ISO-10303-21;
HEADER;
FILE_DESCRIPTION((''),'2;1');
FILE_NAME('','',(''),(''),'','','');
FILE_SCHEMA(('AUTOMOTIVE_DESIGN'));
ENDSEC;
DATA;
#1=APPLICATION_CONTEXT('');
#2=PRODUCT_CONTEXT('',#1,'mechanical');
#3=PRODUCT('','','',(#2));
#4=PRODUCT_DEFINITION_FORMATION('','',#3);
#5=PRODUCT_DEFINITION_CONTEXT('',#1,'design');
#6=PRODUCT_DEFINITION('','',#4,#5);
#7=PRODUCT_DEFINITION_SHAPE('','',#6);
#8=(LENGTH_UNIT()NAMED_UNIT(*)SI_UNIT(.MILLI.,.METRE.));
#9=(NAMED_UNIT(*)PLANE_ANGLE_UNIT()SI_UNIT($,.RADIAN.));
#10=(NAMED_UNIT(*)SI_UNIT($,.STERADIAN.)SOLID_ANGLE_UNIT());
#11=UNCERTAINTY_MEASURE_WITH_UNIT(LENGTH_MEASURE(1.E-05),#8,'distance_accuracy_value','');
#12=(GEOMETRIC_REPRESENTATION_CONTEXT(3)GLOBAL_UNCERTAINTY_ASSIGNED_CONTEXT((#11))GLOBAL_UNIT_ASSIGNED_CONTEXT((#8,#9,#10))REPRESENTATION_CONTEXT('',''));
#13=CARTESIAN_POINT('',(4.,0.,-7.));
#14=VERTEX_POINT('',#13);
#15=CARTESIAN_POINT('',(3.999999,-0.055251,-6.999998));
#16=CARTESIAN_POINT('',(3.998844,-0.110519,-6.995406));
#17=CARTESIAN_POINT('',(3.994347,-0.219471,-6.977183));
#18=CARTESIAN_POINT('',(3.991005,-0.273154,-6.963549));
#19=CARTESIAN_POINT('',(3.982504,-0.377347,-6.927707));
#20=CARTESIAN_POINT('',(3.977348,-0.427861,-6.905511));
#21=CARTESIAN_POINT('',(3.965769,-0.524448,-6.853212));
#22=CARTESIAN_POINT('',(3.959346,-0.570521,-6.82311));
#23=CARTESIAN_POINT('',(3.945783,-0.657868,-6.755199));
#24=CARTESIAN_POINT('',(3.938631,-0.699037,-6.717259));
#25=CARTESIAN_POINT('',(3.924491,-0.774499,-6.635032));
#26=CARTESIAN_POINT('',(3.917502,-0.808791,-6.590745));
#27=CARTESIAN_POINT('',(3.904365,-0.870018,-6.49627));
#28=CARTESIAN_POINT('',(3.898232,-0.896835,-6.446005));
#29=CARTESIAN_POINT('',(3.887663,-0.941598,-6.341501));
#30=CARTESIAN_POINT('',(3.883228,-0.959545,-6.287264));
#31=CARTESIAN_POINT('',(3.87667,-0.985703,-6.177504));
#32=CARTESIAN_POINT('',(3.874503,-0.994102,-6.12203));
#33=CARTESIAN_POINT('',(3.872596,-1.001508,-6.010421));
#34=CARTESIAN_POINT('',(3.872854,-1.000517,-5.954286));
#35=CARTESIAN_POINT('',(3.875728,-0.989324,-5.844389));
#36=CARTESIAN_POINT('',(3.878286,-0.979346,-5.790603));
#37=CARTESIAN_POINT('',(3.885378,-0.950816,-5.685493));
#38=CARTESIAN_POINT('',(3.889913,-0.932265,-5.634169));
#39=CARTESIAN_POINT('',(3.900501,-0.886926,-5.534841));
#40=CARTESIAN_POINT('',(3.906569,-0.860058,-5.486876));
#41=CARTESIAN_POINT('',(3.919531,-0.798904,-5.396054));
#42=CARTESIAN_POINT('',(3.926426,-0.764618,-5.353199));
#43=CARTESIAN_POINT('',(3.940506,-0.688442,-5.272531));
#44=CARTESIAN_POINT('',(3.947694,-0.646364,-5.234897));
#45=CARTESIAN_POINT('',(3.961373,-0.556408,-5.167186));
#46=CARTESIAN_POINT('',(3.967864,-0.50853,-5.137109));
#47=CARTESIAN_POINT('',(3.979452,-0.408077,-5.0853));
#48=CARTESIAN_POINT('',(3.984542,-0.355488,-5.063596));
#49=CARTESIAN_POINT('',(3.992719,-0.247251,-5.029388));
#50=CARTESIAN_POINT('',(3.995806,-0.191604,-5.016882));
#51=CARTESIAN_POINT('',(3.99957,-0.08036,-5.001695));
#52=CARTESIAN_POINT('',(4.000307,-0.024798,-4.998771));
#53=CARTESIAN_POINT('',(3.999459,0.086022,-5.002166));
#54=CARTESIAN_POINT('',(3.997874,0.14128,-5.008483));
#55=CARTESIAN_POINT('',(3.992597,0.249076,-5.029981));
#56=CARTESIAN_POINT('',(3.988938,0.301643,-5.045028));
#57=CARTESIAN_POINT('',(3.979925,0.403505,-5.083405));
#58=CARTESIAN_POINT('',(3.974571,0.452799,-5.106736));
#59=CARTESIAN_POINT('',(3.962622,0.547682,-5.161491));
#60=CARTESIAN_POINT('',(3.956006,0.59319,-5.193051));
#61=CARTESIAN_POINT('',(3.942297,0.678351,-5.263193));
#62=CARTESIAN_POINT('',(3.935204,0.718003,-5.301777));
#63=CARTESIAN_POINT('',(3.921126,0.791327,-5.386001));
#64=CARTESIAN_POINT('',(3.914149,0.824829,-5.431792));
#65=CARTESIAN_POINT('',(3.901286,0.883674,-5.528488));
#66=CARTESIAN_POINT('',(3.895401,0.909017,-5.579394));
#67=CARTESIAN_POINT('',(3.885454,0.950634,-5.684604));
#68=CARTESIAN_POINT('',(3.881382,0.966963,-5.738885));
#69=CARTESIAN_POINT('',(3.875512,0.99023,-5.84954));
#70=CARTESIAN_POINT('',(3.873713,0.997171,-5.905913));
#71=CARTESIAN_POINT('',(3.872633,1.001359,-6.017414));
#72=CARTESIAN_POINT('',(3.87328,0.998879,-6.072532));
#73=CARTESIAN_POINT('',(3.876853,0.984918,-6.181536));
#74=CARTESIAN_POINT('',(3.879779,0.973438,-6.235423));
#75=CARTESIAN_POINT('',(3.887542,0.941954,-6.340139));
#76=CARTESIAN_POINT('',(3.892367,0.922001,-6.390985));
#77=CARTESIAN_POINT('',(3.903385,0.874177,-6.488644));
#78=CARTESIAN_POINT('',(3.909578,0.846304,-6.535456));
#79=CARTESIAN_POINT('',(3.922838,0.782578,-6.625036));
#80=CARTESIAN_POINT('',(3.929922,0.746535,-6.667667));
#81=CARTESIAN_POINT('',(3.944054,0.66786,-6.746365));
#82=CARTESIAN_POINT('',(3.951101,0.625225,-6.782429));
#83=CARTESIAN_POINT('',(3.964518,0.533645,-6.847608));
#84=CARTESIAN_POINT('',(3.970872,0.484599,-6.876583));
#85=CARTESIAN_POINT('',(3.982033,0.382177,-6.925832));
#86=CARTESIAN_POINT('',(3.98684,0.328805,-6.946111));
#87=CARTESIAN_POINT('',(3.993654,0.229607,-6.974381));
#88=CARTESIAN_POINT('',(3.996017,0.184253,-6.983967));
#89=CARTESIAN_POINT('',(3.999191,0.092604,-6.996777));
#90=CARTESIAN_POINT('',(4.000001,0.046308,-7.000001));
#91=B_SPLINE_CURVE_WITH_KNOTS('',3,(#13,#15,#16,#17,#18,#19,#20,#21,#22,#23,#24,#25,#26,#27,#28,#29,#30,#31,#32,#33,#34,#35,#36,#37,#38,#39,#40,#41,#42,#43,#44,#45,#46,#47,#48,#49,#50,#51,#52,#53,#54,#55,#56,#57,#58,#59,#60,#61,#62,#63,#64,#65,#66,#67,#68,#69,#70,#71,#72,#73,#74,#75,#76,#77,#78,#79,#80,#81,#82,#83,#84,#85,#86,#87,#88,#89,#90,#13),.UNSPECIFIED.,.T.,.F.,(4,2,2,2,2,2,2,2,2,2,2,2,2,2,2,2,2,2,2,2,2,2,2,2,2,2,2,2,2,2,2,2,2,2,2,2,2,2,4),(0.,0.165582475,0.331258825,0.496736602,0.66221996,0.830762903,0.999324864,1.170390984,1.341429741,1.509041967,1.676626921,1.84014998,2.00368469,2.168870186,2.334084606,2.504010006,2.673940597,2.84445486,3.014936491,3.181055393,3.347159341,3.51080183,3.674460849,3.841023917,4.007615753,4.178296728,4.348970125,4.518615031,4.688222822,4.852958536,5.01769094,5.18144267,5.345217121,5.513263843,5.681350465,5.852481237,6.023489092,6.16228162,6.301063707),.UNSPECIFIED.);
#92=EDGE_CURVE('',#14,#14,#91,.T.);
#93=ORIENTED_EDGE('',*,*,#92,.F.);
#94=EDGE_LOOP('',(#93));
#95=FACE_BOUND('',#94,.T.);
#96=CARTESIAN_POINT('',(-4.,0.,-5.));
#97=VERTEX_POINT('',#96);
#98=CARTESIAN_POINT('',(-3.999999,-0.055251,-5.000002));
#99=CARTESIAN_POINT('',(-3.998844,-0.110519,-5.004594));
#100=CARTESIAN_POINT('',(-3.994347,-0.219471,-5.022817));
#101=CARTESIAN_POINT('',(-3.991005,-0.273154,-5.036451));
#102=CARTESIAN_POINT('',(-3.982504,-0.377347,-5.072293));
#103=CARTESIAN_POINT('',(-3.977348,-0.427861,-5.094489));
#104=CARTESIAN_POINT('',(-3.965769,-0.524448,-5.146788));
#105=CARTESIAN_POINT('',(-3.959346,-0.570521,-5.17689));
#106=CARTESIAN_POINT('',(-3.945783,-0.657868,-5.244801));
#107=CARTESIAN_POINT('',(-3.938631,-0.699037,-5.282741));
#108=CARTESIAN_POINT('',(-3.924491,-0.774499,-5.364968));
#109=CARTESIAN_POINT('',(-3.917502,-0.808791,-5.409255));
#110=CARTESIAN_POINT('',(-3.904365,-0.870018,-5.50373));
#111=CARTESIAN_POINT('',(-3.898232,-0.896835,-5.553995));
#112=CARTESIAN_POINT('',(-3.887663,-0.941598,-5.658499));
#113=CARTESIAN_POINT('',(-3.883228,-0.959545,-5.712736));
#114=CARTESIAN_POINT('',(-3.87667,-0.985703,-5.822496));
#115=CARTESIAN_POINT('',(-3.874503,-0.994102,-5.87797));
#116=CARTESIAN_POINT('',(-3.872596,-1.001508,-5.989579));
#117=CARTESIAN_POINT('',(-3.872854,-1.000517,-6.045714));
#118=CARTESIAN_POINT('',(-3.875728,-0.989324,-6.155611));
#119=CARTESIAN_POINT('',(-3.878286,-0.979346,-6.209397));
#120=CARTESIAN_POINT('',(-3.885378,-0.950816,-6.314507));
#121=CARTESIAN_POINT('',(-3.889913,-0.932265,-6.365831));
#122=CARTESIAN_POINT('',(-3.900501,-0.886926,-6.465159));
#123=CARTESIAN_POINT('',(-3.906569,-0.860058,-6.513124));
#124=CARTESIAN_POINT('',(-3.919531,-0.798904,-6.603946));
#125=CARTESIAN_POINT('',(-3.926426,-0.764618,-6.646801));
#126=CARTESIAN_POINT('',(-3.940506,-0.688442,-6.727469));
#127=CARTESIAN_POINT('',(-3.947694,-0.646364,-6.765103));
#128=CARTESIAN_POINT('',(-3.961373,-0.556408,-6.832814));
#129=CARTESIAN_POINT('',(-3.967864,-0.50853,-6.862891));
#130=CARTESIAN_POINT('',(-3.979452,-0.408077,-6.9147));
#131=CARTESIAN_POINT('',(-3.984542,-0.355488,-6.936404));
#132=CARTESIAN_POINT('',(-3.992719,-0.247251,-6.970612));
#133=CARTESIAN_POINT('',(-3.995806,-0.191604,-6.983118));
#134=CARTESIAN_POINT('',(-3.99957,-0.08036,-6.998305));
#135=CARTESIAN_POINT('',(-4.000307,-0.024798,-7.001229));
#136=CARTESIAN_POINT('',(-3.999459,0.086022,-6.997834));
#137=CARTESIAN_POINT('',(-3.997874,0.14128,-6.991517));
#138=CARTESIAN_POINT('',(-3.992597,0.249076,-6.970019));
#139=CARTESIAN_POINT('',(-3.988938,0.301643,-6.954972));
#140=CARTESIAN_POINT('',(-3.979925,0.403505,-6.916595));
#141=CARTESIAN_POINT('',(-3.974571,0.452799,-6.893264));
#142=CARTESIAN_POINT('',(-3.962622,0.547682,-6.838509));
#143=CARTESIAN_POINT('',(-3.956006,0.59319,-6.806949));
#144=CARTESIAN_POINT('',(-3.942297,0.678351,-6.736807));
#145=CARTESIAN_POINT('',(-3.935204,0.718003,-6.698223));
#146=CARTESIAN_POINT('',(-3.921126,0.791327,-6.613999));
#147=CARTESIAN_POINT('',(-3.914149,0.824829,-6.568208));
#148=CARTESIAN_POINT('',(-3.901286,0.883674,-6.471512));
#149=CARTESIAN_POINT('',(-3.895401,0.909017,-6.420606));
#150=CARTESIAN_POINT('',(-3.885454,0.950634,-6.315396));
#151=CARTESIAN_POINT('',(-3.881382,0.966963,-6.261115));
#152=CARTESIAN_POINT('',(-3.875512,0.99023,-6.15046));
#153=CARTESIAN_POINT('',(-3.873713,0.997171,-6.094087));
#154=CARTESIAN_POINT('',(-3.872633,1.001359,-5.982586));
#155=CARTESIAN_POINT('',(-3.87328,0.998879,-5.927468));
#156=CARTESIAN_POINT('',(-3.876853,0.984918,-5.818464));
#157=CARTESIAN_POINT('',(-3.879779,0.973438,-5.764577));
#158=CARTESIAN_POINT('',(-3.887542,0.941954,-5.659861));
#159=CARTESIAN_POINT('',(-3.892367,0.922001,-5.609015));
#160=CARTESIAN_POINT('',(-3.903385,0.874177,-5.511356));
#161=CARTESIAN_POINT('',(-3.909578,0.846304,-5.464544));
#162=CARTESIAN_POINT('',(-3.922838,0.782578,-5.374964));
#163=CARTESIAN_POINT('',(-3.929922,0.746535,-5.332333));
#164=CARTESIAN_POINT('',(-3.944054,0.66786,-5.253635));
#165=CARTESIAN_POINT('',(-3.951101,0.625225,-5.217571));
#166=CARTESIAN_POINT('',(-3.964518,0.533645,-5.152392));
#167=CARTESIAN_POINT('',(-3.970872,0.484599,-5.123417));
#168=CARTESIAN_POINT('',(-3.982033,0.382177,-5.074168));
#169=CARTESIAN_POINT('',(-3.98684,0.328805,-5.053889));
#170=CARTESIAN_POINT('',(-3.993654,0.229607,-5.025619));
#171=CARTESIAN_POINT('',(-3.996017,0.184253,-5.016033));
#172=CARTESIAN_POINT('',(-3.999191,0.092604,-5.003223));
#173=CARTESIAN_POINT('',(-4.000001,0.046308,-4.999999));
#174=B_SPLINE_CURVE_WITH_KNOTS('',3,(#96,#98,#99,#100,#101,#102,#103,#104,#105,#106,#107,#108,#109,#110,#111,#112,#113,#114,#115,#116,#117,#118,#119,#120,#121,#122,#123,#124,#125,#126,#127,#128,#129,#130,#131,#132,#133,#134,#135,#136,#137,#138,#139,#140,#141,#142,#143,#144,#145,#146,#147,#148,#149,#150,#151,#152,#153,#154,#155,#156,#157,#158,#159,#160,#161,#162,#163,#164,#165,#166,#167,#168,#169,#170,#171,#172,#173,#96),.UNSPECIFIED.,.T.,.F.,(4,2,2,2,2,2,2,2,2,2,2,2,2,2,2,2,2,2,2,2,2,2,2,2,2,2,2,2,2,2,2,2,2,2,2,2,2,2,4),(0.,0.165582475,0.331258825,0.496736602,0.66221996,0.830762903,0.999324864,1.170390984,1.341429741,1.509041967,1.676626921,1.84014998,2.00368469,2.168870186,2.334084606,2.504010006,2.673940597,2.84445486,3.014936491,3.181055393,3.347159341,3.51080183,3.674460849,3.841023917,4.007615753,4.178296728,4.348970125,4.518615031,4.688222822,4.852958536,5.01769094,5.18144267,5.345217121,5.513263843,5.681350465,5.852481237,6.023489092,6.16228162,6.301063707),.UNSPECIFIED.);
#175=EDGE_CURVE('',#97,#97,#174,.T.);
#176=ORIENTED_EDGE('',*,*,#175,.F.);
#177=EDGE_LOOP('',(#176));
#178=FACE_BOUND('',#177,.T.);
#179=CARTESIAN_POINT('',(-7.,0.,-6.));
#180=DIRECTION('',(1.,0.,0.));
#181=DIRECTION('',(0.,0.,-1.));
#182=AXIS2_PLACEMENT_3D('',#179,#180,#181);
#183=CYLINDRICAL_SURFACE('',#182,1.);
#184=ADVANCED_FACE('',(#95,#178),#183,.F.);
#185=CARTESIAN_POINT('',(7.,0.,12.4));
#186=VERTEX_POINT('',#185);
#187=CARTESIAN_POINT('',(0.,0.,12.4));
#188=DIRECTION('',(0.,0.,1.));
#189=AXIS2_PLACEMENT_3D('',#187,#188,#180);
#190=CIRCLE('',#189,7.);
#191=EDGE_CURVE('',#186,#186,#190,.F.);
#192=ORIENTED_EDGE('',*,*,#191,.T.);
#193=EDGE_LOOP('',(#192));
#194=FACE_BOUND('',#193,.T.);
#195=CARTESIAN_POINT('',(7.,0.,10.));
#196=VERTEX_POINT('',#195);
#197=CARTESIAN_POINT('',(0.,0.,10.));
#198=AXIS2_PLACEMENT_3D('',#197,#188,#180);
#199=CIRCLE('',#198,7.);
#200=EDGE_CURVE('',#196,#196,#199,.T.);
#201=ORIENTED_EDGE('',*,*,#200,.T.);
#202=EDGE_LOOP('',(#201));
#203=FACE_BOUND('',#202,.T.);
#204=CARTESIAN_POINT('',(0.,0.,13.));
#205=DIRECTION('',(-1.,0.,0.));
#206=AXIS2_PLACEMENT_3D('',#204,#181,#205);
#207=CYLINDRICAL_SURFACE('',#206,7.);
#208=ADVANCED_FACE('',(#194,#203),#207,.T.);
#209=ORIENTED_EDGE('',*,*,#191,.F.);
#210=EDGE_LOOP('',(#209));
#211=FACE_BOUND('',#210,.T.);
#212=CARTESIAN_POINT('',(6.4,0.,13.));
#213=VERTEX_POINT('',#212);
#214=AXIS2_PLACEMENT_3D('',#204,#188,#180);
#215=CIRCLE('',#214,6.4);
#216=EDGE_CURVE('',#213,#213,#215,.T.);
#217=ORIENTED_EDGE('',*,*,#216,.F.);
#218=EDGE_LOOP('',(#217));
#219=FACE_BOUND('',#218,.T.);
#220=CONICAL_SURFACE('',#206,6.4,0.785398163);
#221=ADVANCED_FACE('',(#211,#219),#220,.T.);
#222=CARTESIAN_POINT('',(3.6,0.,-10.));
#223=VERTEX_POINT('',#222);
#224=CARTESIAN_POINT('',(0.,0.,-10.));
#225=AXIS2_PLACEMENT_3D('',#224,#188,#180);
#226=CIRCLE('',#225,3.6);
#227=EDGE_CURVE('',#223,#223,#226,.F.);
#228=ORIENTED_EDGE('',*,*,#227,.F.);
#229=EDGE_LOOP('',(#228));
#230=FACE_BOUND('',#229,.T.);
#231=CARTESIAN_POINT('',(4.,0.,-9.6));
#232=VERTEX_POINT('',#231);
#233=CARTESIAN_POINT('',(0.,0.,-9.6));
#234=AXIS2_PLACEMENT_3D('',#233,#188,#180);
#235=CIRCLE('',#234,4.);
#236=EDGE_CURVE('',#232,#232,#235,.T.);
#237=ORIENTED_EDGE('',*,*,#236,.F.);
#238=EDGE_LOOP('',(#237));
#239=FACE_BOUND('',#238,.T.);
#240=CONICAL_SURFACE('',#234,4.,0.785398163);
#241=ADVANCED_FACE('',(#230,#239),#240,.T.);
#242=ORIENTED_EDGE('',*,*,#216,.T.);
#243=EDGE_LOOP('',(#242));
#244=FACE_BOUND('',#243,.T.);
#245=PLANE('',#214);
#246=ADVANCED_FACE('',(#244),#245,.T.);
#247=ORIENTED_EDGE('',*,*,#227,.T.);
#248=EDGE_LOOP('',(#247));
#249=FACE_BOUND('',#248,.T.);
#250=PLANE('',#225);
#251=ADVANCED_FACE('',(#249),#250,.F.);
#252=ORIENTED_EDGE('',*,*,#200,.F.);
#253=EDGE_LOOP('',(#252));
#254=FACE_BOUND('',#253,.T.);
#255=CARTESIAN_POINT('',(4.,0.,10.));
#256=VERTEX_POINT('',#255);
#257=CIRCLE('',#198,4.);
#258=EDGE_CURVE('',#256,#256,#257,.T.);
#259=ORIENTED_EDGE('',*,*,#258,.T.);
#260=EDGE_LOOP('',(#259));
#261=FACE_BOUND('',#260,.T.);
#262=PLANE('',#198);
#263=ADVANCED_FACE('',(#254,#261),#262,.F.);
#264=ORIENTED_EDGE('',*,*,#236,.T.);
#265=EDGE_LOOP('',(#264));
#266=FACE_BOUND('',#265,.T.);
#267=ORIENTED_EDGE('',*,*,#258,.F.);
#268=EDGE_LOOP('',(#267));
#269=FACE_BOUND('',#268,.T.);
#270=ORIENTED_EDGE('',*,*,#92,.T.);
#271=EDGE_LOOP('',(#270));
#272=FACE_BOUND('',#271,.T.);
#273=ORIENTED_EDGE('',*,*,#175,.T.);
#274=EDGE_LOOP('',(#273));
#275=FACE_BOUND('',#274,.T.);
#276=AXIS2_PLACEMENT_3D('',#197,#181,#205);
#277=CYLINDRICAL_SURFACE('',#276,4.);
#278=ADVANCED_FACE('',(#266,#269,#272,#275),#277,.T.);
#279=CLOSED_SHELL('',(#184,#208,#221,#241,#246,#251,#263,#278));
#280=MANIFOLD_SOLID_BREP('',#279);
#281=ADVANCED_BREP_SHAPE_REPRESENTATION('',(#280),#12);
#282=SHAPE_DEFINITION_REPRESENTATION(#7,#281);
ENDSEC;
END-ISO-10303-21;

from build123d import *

# Parameters (mm, degrees)
SKETCH1_R           = 4
EXTRUDE1_DEPTH      = 10
SKETCH2_R           = 7
EXTRUDE2_DEPTH      = 3
CHAMFER1_SIZE       = 0.6
SKETCH3_R           = 1
EXTRUDE3_DEPTH      = 8
EXTRUDE3_DEPTH_BACK = 8
CHAMFER2_SIZE       = 0.4


with BuildPart() as part:
    # Sketch1 → Extrude1 (new body, symmetric)
    with BuildSketch(Plane.XY):
        Circle(SKETCH1_R)
    extrude(amount=EXTRUDE1_DEPTH, both=True)

    # Sketch2 → Extrude2 (add)
    with BuildSketch(Plane.XY.offset(10)):
        Circle(SKETCH2_R)
    extrude(amount=EXTRUDE2_DEPTH)

    # Chamfer1
    chamfer1_edges = [part.edges().sort_by_distance(p)[0] for p in [
        (-7, 0, 13),
    ]]
    chamfer(chamfer1_edges, length=CHAMFER1_SIZE)

    # Sketch3 → Extrude3 (cut, two sides)
    with BuildSketch(Plane(origin=(0, 0, 0), x_dir=(0, 0, -1), z_dir=(1, 0, 0))) as extrude3_sk:
        with Locations((6, 0)):
            Circle(SKETCH3_R)
    extrude(amount=EXTRUDE3_DEPTH, mode=Mode.SUBTRACT)
    extrude(extrude3_sk.sketch, amount=-EXTRUDE3_DEPTH_BACK, mode=Mode.SUBTRACT)

    # Chamfer2
    chamfer2_edges = [part.edges().sort_by_distance(p)[0] for p in [
        (-4, 0, -10),
    ]]
    chamfer(chamfer2_edges, length=CHAMFER2_SIZE)


solid = part.part
